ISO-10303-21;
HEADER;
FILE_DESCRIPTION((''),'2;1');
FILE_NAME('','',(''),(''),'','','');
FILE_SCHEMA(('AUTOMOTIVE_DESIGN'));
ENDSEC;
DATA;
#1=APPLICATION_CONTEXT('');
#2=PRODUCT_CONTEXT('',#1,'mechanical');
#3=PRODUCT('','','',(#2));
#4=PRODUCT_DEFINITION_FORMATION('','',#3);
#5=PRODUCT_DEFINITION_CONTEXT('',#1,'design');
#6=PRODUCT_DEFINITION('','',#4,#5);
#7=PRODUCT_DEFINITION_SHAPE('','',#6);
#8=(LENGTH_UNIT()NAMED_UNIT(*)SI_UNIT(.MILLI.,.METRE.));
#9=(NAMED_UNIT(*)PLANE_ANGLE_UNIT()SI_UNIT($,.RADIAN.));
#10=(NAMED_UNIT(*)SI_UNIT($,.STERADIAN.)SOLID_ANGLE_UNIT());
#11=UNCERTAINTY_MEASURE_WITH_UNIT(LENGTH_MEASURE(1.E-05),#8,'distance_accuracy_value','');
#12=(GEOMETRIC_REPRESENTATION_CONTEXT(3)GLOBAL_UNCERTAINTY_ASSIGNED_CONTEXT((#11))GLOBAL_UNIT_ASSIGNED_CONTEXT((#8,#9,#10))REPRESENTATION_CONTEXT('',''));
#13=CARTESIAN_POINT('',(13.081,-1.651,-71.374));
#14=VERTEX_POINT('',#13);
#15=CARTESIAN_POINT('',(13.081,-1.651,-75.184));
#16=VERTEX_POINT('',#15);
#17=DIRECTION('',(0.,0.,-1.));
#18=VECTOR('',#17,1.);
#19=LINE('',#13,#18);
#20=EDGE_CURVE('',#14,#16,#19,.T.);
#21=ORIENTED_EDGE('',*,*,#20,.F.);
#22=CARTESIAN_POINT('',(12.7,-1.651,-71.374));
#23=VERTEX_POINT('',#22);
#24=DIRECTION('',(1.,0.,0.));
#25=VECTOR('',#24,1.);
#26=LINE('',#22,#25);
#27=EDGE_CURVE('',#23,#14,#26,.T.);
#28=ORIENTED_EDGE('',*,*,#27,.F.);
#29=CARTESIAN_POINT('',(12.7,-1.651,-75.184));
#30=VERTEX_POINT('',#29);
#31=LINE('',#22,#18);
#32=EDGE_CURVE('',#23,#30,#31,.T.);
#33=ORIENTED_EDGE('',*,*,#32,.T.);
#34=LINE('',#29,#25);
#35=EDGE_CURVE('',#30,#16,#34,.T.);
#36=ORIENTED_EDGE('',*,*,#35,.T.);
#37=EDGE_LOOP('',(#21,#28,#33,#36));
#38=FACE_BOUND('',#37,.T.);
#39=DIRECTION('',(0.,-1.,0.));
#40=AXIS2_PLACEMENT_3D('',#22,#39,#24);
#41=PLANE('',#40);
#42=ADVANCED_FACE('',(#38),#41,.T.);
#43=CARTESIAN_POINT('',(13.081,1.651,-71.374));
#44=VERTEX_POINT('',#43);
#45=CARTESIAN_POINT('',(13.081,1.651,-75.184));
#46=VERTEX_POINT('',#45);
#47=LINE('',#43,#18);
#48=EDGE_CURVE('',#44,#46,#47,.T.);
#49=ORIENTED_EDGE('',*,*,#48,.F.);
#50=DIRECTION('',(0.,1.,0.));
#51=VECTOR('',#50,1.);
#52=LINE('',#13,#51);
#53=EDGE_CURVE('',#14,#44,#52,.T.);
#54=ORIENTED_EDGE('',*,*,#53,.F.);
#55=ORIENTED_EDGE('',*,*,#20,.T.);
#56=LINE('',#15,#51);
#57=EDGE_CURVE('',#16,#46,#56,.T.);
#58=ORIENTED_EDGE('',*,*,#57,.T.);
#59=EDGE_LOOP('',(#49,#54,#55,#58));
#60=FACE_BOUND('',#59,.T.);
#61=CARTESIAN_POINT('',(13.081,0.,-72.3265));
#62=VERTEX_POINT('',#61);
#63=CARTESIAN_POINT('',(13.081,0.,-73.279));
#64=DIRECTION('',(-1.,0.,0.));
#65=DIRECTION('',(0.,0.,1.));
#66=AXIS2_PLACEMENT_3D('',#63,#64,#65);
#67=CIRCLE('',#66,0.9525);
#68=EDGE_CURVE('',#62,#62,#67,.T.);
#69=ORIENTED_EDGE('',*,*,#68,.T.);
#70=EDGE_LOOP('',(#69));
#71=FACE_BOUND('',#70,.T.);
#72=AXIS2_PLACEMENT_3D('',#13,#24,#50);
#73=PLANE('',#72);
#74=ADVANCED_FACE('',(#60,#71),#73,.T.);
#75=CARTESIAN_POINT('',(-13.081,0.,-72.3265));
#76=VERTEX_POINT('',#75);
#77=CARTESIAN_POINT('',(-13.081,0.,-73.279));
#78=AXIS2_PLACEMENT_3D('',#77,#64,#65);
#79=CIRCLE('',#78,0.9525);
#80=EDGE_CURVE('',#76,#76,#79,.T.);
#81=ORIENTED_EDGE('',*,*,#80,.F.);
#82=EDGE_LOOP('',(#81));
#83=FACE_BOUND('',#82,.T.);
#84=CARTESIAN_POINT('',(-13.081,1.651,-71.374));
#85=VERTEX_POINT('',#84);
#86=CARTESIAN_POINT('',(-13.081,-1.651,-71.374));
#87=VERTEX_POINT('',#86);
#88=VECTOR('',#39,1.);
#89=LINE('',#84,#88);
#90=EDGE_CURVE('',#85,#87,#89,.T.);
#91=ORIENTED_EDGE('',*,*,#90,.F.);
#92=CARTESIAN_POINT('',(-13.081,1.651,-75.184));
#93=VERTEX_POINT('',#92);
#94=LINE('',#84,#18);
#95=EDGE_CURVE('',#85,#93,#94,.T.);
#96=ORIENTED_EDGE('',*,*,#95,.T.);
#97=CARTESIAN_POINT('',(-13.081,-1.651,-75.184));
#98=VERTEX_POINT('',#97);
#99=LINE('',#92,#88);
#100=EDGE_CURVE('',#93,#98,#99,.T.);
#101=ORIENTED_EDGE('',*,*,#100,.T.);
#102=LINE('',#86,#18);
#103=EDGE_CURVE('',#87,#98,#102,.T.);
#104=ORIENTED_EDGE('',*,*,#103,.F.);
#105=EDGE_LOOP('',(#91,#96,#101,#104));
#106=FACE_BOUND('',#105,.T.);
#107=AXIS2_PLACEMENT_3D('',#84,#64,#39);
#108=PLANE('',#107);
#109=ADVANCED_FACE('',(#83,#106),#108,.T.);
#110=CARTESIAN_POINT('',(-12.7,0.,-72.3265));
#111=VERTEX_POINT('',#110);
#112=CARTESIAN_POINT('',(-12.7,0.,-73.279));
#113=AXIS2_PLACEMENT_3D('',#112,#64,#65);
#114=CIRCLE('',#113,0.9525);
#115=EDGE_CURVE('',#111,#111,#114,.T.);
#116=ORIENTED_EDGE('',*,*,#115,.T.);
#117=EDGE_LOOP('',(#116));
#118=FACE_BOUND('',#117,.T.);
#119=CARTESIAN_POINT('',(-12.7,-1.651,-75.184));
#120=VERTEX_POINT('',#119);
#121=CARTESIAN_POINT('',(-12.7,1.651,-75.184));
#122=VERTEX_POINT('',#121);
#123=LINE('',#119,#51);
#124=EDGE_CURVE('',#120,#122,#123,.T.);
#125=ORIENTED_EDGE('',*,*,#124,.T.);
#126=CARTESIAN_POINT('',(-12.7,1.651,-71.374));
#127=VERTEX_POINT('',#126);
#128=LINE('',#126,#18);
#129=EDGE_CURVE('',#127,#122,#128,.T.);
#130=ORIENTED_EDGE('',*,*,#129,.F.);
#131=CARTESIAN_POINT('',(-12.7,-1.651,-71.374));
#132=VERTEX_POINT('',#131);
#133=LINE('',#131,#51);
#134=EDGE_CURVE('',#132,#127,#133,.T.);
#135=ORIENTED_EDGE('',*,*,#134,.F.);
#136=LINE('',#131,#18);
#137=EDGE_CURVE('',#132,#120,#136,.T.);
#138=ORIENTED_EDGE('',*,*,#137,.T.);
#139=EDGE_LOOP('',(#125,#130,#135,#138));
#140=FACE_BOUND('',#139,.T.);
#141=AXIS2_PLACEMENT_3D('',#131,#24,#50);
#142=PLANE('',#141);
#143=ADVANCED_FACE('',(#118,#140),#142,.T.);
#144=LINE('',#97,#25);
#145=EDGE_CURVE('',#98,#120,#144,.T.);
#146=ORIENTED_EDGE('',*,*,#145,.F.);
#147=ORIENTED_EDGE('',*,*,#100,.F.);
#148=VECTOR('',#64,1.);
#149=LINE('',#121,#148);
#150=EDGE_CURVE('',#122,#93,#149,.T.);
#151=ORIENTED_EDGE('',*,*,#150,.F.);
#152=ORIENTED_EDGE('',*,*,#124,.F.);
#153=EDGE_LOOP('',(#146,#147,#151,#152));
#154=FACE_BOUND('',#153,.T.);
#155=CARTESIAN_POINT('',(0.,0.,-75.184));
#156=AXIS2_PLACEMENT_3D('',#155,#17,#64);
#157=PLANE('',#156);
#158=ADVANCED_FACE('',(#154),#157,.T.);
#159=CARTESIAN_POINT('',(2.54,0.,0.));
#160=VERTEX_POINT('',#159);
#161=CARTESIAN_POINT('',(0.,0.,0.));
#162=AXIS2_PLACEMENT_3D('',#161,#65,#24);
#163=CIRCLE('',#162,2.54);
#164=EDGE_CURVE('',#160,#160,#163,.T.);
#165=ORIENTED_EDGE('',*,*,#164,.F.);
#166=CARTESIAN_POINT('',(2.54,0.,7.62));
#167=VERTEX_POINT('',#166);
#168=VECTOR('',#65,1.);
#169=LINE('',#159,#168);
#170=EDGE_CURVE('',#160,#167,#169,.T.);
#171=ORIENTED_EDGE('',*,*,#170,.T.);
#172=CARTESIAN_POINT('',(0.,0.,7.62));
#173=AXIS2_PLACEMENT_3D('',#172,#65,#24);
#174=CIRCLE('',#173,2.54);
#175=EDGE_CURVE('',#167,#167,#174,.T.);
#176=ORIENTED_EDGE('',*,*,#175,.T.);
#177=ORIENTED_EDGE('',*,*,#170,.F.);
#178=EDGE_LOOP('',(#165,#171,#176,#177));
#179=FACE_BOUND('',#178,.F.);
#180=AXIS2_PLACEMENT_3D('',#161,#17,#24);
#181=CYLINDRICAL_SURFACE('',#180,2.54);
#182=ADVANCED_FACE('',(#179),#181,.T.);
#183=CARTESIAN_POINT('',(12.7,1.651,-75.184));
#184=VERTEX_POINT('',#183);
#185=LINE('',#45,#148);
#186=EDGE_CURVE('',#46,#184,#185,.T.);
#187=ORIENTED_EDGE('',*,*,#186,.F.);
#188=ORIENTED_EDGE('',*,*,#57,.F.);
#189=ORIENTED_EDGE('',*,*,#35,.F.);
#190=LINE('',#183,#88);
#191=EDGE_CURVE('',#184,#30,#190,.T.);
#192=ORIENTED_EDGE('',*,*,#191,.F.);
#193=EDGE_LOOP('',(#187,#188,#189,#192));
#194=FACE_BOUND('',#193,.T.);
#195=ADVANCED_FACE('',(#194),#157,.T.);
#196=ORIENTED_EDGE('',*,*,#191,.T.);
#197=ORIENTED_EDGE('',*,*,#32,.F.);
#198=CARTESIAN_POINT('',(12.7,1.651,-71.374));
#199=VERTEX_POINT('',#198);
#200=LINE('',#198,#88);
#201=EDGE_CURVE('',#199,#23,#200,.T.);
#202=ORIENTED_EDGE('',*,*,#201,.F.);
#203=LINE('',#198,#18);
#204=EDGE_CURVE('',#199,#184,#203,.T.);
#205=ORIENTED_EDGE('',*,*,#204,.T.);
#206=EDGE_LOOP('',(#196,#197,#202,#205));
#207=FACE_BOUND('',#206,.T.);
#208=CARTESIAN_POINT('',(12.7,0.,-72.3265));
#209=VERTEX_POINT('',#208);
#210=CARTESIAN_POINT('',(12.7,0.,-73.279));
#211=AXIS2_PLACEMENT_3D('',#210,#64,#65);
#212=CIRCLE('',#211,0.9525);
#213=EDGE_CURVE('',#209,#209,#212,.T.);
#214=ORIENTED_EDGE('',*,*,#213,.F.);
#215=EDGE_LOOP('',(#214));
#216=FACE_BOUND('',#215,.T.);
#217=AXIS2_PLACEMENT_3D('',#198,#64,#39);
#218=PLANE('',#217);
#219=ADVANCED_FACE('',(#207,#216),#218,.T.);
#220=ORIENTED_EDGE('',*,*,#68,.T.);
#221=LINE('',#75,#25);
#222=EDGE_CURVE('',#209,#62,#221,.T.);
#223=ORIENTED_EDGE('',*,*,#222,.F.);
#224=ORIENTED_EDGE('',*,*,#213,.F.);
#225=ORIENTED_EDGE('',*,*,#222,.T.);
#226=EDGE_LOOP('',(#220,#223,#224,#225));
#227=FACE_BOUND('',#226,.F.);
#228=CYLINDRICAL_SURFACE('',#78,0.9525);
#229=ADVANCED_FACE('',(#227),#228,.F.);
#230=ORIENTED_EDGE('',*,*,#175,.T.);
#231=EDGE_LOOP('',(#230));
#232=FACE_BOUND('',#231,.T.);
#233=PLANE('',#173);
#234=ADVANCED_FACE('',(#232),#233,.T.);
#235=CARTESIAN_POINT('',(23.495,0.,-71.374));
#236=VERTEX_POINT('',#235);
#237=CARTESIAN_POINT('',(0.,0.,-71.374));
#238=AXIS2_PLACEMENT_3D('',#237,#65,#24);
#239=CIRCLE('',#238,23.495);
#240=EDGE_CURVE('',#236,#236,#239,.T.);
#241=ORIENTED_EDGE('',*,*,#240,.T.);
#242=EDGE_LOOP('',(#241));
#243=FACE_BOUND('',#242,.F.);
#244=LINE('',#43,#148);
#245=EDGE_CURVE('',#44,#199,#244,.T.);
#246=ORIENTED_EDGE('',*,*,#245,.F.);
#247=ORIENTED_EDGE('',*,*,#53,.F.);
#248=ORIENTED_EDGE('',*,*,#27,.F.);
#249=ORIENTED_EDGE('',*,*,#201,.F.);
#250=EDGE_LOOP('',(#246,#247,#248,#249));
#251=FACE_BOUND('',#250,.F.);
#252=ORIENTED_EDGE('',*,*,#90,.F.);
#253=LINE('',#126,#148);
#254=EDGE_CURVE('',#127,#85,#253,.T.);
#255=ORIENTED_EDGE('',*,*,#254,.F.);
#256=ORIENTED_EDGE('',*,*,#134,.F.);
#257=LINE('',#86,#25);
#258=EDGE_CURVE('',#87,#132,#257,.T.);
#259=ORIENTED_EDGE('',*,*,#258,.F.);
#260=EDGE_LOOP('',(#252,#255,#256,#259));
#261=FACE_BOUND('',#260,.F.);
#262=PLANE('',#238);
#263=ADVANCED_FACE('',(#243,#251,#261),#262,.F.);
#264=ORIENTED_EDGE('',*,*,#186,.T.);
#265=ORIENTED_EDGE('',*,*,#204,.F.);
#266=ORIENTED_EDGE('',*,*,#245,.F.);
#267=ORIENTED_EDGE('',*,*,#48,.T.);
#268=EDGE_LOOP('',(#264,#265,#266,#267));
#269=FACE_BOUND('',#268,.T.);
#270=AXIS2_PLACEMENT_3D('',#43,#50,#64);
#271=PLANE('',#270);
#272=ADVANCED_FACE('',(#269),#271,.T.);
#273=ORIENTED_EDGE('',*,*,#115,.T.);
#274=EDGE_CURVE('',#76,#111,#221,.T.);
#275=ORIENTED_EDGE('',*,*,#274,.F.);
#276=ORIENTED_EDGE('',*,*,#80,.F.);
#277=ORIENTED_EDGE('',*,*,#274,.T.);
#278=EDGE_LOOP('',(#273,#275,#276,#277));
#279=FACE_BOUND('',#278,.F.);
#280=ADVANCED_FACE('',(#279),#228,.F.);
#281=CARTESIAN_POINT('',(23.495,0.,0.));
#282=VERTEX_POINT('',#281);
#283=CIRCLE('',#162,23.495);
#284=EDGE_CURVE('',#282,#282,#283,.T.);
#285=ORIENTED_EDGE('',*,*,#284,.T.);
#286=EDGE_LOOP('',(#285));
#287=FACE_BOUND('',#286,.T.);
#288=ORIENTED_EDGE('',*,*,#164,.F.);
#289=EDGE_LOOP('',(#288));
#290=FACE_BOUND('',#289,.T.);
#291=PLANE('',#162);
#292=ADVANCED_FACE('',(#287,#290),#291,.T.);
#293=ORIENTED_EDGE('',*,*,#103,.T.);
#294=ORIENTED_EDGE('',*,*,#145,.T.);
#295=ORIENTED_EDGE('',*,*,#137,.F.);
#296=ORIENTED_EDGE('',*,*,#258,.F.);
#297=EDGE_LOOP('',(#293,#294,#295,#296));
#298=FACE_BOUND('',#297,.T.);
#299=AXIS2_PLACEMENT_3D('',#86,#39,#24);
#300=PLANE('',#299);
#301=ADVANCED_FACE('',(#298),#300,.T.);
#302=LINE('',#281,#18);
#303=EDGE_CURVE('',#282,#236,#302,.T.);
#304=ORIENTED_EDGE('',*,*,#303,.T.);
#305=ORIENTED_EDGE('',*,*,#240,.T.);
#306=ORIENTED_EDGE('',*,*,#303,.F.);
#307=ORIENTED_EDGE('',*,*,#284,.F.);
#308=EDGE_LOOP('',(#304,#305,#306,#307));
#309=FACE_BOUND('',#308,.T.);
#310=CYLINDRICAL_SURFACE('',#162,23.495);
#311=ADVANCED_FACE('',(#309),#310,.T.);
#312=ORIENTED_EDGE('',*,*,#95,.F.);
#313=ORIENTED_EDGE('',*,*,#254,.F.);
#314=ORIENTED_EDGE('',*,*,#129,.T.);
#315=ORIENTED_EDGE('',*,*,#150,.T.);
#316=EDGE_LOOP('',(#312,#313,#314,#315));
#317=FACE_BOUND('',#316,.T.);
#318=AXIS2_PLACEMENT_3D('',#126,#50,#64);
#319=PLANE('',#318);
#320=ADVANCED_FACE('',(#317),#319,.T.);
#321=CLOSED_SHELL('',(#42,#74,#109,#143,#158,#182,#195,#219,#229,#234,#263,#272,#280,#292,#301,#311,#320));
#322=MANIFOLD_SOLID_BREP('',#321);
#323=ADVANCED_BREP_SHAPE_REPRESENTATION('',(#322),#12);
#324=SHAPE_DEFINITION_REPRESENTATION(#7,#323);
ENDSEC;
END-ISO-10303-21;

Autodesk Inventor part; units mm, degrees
ref_plane "YZ Plane" through (0, 0, 0) normal (1, 0, 0) x (0, 1, 0)
ref_plane "XZ Plane" through (0, 0, 0) normal (0, 1, 0) x (-1, 0, 0)
ref_plane "XY Plane" through (0, 0, 0) normal (0, 0, 1) x (1, 0, 0)
sketch "Sketch1" plane through (0, 0, 0) normal (0, 0, 1) x (1, 0, 0)
  circle A0 centre (0, 0) radius 23.495
  dimension "d0" = 46.99
extrude "Extrusion1" add sketch "Sketch1" against normal blind 71.374
sketch "Sketch2" plane through (0, 0, 0) normal (0, 0, 1) x (1, 0, 0)
  circle A0 centre (0, 0) radius 23.495 projected
  circle A1 centre (0, 0) radius 2.54
  dimension "d3" = 5.08
extrude "Extrusion2" add sketch "Sketch2" along normal blind 7.62 contours A1
sketch "Sketch3" plane through (0, 0, -71.374) normal (0, 0, -1) x (-1, 0, 0)
  circle A0 centre (0, 0) radius 23.495 projected
  line L0 (-13.081, 1.651) -> (-12.7, 1.651)
  line L1 (-12.7, 1.651) -> (-12.7, -1.651)
  line L2 (-12.7, -1.651) -> (-13.081, -1.651)
  line L3 (-13.081, -1.651) -> (-13.081, 1.651)
  line L4 (12.7, 1.651) -> (13.081, 1.651)
  line L5 (13.081, 1.651) -> (13.081, -1.651)
  line L6 (13.081, -1.651) -> (12.7, -1.651)
  line L7 (12.7, -1.651) -> (12.7, 1.651)
  dimension "d6" = 3.302
  dimension "d7" = 3.302
  dimension "d8" = 0.381
  dimension "d9" = 0.381
  dimension "d10" = 1.651
  dimension "d11" = 0
  dimension "d12" = 25.4
  dimension "d13" = 12.7
extrude "Extrusion3" add sketch "Sketch3" along normal blind 3.81 contours L0 L1 L2 L3 | L4 L5 L6 L7
sketch "Sketch4" plane through (-13.081, -1.651, -71.374) normal (-1, 0, 0) x (0, 0, 1)
  line L0 (0, 3.302) -> (-3.81, 3.302) projected
  circle A0 centre (-1.905, 1.651) radius 0.9525
  point P0 (71.374, 1.651)
  dimension "d16" = 1.905
  dimension "d17" = 0.6985
extrude "Extrusion4" cut sketch "Sketch4" against normal blind 127
properties part number "RS775 18v"
